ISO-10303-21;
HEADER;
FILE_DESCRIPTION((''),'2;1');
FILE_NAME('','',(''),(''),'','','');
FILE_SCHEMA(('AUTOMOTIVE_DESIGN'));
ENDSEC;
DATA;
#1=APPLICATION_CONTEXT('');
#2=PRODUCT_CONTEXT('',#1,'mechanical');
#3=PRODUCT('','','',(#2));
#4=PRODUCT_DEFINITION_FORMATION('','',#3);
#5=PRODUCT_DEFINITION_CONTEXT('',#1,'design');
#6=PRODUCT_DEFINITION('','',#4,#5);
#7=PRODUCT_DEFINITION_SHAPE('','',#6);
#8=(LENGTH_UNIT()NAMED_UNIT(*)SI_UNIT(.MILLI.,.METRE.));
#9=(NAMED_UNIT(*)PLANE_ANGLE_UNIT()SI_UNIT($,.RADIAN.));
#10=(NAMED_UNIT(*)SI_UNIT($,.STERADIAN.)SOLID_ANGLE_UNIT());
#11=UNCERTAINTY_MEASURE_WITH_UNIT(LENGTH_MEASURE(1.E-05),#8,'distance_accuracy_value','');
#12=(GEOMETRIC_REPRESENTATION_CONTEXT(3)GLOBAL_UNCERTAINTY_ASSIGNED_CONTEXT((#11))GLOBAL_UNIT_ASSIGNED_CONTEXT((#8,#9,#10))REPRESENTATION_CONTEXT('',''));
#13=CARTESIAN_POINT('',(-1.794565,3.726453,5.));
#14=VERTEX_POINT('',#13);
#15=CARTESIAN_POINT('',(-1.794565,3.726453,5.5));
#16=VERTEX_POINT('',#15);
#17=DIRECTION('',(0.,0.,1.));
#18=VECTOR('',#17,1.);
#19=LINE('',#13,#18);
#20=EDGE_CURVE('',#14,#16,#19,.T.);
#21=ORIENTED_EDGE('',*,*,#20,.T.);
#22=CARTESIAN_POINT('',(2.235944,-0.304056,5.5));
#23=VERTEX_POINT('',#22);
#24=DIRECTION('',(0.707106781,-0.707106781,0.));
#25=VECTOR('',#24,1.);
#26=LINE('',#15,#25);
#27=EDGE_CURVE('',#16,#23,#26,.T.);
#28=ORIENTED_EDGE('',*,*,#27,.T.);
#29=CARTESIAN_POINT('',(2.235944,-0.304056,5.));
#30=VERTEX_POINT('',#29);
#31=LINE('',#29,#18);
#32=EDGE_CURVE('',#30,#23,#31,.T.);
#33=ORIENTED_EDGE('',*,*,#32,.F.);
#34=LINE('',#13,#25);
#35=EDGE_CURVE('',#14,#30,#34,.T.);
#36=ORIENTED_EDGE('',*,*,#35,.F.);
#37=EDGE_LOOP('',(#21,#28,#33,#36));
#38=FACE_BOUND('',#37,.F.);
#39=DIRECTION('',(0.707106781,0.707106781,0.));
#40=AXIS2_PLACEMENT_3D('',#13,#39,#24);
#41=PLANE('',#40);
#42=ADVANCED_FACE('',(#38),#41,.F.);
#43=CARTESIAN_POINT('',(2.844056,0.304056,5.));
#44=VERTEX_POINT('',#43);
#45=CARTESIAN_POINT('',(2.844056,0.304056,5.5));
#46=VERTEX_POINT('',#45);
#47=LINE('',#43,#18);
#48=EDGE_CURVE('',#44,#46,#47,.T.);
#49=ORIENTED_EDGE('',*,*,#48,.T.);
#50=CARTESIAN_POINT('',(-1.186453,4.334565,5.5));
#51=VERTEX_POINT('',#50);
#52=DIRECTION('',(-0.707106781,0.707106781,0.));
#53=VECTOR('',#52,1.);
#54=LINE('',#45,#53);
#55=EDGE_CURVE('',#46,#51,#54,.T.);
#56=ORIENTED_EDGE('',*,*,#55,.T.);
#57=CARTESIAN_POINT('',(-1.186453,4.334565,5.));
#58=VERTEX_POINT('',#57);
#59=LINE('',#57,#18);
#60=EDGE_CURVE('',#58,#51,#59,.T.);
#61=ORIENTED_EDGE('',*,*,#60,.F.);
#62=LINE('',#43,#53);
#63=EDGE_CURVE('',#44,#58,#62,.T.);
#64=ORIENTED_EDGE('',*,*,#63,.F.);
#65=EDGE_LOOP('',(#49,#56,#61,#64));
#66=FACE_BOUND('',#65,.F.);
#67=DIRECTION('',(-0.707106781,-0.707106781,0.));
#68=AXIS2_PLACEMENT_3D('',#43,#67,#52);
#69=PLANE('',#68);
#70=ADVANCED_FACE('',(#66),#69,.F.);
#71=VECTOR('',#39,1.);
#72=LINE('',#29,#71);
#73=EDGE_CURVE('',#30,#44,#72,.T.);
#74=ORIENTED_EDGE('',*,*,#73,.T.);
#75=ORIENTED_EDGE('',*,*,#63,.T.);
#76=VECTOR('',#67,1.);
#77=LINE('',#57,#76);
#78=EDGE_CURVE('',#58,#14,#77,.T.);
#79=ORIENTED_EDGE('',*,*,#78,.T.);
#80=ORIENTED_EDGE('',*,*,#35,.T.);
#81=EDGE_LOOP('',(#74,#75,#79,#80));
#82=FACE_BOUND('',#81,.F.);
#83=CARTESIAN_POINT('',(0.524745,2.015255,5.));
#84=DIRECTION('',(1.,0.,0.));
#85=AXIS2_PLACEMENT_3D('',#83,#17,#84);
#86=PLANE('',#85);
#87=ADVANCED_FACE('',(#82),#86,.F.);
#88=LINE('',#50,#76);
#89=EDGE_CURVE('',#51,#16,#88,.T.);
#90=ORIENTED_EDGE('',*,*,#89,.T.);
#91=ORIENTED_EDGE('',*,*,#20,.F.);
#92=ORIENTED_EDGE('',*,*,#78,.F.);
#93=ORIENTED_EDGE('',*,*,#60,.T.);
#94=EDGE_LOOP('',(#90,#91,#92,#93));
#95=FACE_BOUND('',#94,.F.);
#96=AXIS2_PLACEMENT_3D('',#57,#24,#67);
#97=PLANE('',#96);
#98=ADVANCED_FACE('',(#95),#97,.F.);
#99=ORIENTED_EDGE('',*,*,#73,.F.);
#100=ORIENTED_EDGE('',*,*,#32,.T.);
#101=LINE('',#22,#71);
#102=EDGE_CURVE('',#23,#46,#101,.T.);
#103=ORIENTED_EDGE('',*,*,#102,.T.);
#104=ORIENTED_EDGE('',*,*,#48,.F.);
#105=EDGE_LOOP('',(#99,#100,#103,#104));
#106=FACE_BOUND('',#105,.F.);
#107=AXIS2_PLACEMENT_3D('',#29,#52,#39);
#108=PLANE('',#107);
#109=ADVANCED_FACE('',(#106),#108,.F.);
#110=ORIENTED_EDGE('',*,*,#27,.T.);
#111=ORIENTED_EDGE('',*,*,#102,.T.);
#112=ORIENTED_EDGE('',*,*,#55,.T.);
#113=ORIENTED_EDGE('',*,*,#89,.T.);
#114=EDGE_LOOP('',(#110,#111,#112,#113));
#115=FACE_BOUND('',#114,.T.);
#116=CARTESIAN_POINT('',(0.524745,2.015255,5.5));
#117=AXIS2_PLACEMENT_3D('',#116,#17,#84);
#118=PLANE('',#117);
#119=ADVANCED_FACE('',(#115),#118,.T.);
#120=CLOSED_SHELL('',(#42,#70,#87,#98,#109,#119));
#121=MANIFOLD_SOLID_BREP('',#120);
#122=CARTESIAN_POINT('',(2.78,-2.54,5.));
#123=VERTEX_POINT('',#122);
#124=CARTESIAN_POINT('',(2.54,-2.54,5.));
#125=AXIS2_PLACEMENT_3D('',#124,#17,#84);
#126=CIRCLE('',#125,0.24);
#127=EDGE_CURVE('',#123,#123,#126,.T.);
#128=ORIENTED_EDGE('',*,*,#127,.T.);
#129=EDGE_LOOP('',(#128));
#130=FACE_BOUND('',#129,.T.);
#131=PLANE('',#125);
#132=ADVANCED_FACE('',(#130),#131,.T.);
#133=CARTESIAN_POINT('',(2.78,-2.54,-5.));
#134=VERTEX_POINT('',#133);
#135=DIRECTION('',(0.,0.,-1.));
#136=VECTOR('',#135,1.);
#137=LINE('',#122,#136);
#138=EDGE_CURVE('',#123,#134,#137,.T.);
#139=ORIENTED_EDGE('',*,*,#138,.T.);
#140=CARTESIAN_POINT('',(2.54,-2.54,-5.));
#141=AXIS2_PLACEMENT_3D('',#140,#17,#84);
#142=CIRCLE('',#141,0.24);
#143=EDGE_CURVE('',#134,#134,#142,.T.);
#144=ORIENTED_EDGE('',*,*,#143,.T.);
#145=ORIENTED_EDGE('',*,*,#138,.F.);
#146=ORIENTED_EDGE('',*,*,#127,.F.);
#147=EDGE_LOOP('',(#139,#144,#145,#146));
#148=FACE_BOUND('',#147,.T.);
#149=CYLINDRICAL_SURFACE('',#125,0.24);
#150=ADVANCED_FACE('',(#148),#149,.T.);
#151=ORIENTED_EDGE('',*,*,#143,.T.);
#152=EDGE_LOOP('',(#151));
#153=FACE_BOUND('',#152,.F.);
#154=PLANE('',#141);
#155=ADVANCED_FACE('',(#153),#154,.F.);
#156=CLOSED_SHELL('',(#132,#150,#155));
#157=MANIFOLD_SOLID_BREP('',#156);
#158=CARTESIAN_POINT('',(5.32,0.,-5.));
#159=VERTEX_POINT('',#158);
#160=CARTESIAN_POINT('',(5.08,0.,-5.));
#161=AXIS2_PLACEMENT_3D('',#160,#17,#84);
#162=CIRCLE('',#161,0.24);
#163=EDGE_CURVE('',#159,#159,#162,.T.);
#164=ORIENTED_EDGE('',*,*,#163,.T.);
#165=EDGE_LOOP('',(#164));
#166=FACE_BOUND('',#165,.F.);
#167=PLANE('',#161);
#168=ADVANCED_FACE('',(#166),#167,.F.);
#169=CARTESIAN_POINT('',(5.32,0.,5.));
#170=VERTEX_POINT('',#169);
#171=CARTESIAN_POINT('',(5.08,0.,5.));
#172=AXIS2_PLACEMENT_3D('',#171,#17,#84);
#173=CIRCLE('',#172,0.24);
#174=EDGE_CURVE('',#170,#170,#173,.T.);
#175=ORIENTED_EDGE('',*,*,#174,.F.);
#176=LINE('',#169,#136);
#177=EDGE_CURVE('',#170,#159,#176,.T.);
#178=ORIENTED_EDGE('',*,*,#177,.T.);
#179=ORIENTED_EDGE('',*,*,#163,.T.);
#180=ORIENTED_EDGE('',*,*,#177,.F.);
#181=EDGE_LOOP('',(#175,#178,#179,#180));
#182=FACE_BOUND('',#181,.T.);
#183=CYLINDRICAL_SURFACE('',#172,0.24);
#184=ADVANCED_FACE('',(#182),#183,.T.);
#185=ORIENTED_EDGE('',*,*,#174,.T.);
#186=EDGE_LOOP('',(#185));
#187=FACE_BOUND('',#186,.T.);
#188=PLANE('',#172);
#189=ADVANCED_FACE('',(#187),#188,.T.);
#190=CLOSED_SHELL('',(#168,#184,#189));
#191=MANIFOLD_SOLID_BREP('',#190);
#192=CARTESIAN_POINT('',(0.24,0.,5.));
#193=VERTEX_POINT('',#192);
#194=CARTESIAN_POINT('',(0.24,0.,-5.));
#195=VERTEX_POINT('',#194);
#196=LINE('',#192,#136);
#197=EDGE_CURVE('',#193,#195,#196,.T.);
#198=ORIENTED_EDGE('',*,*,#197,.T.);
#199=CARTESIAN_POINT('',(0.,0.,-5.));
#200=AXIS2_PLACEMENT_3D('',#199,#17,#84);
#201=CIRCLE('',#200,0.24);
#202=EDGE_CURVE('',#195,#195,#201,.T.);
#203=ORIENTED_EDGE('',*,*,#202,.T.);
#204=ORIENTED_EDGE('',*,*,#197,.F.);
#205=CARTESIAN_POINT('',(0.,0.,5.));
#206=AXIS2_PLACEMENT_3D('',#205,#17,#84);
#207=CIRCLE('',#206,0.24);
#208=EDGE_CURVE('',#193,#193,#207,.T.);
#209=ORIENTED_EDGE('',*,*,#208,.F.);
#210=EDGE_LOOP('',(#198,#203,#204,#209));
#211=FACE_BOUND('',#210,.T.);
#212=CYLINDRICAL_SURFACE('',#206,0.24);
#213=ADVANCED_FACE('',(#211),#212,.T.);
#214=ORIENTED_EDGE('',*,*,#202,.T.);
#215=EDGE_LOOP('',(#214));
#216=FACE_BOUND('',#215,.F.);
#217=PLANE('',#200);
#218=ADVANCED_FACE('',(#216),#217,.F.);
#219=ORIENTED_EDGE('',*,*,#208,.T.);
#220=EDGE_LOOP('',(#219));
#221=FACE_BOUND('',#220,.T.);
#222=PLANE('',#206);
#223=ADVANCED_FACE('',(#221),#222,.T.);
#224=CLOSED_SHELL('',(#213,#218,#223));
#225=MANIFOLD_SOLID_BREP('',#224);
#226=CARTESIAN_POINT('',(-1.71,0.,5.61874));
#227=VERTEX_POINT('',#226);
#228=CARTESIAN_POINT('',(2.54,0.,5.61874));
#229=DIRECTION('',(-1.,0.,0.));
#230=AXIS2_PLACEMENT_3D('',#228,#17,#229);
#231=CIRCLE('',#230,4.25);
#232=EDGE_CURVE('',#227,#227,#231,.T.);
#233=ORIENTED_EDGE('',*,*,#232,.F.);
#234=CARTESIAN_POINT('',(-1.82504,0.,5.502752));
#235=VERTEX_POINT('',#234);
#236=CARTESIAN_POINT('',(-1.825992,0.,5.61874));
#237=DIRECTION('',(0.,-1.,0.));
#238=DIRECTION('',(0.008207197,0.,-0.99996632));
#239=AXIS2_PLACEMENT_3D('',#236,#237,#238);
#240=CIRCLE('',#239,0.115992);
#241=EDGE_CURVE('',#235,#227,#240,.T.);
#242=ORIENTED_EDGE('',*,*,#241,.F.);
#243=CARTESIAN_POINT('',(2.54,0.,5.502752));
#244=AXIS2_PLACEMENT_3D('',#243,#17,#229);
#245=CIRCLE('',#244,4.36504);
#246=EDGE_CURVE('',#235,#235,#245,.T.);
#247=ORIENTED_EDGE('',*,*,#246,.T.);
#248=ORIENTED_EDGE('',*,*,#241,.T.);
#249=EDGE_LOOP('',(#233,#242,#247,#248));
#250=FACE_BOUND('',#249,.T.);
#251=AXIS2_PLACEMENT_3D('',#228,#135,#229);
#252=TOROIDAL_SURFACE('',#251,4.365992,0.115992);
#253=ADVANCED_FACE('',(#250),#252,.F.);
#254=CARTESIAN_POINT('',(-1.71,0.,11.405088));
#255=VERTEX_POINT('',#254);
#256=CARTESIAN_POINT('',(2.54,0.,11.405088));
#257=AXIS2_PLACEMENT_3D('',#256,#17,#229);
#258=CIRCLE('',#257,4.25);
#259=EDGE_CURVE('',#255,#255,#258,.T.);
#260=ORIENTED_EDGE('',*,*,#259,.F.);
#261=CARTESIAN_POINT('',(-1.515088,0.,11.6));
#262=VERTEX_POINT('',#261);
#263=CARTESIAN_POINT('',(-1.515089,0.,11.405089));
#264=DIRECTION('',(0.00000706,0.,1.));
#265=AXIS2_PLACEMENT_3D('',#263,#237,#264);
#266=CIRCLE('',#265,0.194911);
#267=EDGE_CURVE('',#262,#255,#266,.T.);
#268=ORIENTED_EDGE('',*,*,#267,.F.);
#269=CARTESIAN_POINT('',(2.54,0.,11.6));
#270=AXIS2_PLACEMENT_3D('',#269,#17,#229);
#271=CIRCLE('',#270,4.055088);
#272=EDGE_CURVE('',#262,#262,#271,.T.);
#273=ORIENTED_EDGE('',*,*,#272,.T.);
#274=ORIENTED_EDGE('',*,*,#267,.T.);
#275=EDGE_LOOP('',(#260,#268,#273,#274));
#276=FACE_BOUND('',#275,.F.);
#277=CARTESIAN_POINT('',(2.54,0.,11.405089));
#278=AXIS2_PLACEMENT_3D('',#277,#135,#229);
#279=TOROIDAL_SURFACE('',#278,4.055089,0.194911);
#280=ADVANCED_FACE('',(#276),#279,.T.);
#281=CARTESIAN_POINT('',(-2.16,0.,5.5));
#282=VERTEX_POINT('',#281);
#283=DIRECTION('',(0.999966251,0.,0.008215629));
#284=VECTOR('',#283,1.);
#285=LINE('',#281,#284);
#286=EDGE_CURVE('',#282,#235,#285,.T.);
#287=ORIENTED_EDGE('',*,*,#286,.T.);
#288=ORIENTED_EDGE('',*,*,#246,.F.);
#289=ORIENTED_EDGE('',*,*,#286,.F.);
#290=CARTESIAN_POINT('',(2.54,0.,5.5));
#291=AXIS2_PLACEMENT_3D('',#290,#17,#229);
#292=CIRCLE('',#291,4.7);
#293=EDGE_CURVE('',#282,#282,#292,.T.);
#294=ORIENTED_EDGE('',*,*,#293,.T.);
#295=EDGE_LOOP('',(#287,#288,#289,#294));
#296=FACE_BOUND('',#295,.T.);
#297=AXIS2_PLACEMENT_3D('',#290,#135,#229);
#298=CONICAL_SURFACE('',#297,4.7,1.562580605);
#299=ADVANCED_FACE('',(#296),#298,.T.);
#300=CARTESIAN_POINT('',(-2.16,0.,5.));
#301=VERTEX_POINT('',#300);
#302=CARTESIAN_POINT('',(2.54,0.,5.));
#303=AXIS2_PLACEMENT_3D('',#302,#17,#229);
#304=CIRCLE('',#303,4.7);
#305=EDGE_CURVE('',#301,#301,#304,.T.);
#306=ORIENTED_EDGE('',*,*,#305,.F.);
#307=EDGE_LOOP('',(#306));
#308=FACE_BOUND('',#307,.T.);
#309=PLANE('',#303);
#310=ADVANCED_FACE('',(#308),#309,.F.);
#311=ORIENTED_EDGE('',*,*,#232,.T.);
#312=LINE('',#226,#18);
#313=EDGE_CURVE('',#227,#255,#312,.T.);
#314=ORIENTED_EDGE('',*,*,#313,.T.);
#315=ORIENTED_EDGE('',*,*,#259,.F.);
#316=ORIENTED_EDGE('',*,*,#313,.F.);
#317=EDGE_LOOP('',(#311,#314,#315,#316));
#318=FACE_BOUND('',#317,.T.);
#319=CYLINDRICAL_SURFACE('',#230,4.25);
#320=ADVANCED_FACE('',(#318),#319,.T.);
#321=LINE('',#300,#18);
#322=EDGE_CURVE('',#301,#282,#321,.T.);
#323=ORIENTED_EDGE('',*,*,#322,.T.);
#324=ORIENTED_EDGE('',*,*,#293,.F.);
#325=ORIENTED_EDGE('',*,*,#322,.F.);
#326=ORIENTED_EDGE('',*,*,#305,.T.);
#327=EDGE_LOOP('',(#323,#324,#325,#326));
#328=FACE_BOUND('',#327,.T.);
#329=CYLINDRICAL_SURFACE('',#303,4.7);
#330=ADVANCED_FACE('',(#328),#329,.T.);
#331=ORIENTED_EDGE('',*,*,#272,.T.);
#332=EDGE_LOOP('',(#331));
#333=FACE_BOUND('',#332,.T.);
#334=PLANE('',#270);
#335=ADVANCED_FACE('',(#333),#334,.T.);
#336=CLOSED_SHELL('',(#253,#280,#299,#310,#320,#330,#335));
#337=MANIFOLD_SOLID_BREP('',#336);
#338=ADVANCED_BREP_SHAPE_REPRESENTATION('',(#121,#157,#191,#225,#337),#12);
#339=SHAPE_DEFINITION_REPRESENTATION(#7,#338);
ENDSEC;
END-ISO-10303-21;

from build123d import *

# Parameters (mm, degrees)
SKETCH_R     = 0.24
PAD_DEPTH    = 10
PAD003_DEPTH = 0.5


with BuildPart() as pad:
    # Sketch → Pad (new body)
    with BuildSketch(Plane.XY.offset(5)):
        Circle(SKETCH_R)
        with Locations((5.08, 0)):
            Circle(SKETCH_R)
        with Locations((2.54, -2.54)):
            Circle(SKETCH_R)
    extrude(amount=-PAD_DEPTH)


with BuildPart() as revolution:
    # Sketch003 → Revolution (revolve)
    with BuildSketch(Plane.XZ):
        with BuildLine():
            Line((2.54, 5), (-2.16, 5))
            Line((-2.16, 5), (-2.16, 5.5))
            Line((-2.16, 5.5), (-1.82504, 5.502752))
            ThreePointArc((-1.82504, 5.502752), (-1.743637, 5.537059), (-1.71, 5.61874))
            Line((-1.71, 5.61874), (-1.71, 11.405088))
            ThreePointArc((-1.515088, 11.6), (-1.652912, 11.542912), (-1.71, 11.405088))
            Line((-1.515088, 11.6), (2.54, 11.6))
            Line((2.54, 11.6), (2.54, 5))
        make_face()
    revolve(axis=Axis((2.54, 0, 2.550668), (0, 0, 1)))


with BuildPart() as pad003:
    # Sketch004 → Pad003 (new body)
    with BuildSketch(Plane.XY.offset(5)):
        Polygon((2.844056, 0.304056), (-1.186453, 4.334565), (-1.794565, 3.726453), (2.235944, -0.304056), align=None)
    extrude(amount=PAD003_DEPTH)


solid = Compound([pad.part, revolution.part, pad003.part])
